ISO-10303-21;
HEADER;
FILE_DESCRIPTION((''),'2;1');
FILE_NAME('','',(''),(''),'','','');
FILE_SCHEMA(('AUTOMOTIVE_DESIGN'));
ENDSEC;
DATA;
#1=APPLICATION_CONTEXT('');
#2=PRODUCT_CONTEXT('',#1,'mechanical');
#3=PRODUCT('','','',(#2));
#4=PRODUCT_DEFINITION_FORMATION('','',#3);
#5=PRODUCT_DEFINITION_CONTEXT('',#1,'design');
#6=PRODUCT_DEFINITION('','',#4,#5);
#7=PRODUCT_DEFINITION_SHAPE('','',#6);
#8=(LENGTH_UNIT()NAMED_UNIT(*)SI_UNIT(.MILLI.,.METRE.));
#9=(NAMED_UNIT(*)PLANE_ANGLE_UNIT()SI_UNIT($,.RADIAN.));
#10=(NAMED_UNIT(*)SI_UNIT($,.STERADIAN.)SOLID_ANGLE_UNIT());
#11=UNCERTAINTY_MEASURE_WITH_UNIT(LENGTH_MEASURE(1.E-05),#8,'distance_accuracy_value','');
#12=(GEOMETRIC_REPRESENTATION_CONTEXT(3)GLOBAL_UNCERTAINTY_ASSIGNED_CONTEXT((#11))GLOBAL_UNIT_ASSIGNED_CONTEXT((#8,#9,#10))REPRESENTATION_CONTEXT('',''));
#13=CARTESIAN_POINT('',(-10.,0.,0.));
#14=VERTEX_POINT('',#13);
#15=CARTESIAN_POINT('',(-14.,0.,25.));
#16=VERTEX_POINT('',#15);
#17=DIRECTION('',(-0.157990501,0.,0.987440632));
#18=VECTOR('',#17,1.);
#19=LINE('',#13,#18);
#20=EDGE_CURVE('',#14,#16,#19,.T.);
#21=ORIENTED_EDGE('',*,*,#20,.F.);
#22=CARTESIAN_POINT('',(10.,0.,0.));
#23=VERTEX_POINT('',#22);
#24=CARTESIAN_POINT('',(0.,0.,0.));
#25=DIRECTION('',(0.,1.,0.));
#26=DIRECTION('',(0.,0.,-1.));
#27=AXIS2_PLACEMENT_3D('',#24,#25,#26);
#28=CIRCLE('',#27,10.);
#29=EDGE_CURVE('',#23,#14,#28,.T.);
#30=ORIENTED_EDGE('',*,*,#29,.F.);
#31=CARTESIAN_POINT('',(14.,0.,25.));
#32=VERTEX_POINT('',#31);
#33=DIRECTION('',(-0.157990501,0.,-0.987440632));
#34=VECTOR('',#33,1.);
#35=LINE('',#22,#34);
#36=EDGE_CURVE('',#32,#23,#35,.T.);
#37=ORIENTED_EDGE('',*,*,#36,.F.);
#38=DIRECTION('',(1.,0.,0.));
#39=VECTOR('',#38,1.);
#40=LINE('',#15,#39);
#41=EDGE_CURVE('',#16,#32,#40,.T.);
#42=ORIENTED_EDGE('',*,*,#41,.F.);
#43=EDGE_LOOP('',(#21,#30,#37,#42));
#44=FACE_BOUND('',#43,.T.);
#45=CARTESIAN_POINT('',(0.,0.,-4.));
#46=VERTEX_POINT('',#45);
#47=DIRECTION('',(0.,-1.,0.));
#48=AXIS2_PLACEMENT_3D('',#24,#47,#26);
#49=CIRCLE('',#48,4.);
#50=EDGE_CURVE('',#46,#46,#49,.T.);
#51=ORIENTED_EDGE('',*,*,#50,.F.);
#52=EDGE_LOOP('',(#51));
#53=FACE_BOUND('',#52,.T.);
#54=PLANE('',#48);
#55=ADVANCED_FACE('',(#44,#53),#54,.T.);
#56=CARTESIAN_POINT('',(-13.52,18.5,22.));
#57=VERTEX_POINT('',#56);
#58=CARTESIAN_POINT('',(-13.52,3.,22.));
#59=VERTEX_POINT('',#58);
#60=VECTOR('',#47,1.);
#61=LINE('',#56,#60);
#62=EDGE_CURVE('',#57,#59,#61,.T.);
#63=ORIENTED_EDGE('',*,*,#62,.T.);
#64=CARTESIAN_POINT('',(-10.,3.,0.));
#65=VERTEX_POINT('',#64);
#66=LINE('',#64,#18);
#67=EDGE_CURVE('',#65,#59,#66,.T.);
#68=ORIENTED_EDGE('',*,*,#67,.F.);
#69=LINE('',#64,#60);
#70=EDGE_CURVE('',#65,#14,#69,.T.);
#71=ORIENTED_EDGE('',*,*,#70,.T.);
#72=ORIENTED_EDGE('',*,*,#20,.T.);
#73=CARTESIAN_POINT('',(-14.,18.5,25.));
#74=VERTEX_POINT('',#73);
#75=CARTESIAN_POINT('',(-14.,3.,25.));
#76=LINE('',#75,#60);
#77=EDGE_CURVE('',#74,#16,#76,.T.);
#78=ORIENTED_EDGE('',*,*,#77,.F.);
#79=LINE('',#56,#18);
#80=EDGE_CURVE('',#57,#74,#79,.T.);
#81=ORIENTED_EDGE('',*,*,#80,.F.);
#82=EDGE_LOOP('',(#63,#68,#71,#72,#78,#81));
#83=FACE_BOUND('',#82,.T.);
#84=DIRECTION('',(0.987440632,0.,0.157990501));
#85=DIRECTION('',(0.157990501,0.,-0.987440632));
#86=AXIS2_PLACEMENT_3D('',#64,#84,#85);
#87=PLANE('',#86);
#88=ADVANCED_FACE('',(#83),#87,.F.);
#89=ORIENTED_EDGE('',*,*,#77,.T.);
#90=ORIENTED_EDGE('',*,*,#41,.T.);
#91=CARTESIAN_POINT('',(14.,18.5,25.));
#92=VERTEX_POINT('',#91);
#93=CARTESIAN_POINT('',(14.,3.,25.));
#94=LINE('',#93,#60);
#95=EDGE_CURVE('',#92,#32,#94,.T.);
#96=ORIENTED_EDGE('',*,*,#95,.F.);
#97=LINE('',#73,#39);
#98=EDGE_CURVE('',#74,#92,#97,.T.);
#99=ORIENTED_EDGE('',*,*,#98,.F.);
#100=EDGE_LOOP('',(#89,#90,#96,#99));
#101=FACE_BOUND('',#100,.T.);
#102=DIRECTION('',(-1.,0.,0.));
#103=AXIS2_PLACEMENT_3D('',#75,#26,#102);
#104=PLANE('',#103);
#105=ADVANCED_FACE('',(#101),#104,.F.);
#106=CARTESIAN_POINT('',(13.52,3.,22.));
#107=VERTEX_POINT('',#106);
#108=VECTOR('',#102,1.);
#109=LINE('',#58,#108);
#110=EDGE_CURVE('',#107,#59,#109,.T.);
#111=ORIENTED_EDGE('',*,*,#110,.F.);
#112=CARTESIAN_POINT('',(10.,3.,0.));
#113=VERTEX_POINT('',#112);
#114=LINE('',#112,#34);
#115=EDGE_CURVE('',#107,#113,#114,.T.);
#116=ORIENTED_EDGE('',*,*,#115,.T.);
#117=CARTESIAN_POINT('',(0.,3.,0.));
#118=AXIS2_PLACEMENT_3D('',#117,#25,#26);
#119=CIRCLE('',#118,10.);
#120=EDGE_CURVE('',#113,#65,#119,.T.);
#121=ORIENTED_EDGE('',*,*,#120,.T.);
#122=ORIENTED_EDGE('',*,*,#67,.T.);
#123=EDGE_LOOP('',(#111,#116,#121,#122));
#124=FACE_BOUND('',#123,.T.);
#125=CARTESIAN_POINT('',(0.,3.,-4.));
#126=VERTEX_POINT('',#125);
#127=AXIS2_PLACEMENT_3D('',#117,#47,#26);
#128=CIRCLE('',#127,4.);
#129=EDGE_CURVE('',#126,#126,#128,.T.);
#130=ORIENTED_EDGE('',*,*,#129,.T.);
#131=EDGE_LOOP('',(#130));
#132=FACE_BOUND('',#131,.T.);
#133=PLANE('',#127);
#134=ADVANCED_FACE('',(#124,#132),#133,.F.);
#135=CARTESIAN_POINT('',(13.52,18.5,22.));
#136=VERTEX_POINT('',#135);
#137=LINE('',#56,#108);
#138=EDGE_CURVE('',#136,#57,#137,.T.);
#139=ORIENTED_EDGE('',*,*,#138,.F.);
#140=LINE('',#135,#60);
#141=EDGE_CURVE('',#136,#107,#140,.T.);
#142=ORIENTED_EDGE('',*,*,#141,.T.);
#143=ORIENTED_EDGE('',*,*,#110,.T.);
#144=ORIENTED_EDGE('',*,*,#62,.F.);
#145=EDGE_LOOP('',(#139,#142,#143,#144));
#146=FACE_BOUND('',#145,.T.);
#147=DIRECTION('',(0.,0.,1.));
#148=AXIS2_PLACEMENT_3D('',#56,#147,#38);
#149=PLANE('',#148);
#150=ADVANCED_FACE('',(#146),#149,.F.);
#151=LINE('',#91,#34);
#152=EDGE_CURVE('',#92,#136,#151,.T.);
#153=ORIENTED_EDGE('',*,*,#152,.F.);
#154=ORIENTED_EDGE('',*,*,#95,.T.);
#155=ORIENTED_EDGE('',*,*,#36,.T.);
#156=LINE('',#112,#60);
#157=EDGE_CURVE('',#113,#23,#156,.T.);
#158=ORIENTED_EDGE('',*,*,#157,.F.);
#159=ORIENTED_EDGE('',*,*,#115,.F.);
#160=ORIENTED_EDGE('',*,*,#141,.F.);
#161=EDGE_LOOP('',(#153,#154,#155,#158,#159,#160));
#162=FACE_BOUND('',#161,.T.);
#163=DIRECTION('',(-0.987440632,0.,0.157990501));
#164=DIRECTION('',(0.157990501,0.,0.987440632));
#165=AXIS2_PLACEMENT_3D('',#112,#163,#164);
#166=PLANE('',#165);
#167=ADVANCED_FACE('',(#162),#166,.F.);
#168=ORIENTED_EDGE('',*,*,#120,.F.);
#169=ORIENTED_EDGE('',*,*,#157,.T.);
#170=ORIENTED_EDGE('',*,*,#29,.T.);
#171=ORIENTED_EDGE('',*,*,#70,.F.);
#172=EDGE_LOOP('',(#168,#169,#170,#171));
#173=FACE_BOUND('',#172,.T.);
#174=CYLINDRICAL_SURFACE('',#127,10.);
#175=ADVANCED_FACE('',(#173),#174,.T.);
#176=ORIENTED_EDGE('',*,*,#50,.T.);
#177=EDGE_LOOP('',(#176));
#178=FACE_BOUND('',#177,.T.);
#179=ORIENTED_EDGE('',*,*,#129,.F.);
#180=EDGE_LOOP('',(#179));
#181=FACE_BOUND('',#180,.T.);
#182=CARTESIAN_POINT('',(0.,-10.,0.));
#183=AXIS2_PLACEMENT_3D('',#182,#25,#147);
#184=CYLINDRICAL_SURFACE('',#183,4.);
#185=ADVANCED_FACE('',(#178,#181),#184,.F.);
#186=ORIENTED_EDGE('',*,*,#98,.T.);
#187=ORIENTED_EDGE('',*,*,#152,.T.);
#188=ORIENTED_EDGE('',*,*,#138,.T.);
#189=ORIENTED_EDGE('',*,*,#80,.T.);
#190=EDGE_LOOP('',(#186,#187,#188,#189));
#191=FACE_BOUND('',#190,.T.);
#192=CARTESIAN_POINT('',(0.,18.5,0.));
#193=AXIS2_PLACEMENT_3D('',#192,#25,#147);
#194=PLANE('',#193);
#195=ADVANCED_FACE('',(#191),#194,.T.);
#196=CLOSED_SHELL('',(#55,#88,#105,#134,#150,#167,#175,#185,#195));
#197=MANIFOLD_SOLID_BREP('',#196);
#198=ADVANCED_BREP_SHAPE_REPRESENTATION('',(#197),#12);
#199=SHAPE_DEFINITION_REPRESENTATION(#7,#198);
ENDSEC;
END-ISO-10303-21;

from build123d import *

# Parameters (mm, degrees)
BOSS_EXTRUDE1_DEPTH = 3
SKETCH2_R           = 4
CUT_EXTRUDE1_DEPTH  = 13
BOSS_EXTRUDE2_DEPTH = 15.5
SKETCH6_R           = 4.6
CUT_EXTRUDE4_DEPTH  = 1.5
SKETCH7_R           = 4.6
SKETCH7_R_2         = 4
BOSS_EXTRUDE3_DEPTH = 1.5


with BuildPart() as part:
    # Sketch1 → Boss-Extrude1 (new body)
    with BuildSketch(Plane(origin=(0, 0, 0), x_dir=(1, 0, 0), z_dir=(0, 1, 0))):
        with BuildLine():
            Line((-10, 0), (-14, -25))
            Line((-14, -25), (14, -25))
            Line((14, -25), (10, 0))
            ThreePointArc((10, 0), (0, 10), (-10, 0))
        make_face()
    extrude(amount=BOSS_EXTRUDE1_DEPTH)

    # Sketch2 → Cut-Extrude1 (cut)
    with BuildSketch(Plane(origin=(0, 3, 0), x_dir=(1, 0, 0), z_dir=(0, 1, 0))):
        Circle(SKETCH2_R)
    extrude(amount=-CUT_EXTRUDE1_DEPTH, mode=Mode.SUBTRACT)

    # Sketch5 → Boss-Extrude2 (add)
    with BuildSketch(Plane(origin=(0, 3, 0), x_dir=(1, 0, 0), z_dir=(0, 1, 0))):
        Polygon((-13.52, -22), (13.52, -22), (14, -25), (-14, -25), align=None)
    extrude(amount=BOSS_EXTRUDE2_DEPTH)

    # Sketch6 → Cut-Extrude4 (cut)
    with BuildSketch(Plane(origin=(0, 3, 0), x_dir=(1, 0, 0), z_dir=(0, 1, 0))):
        Circle(SKETCH6_R)
    extrude(amount=-CUT_EXTRUDE4_DEPTH, mode=Mode.SUBTRACT)

    # Sketch7 → Boss-Extrude3 (add)
    with BuildSketch(Plane(origin=(0, 1.5, 0), x_dir=(1, 0, 0), z_dir=(0, 1, 0))):
        Circle(SKETCH7_R)
        Circle(SKETCH7_R_2, mode=Mode.SUBTRACT)
    extrude(amount=BOSS_EXTRUDE3_DEPTH)


solid = part.part
